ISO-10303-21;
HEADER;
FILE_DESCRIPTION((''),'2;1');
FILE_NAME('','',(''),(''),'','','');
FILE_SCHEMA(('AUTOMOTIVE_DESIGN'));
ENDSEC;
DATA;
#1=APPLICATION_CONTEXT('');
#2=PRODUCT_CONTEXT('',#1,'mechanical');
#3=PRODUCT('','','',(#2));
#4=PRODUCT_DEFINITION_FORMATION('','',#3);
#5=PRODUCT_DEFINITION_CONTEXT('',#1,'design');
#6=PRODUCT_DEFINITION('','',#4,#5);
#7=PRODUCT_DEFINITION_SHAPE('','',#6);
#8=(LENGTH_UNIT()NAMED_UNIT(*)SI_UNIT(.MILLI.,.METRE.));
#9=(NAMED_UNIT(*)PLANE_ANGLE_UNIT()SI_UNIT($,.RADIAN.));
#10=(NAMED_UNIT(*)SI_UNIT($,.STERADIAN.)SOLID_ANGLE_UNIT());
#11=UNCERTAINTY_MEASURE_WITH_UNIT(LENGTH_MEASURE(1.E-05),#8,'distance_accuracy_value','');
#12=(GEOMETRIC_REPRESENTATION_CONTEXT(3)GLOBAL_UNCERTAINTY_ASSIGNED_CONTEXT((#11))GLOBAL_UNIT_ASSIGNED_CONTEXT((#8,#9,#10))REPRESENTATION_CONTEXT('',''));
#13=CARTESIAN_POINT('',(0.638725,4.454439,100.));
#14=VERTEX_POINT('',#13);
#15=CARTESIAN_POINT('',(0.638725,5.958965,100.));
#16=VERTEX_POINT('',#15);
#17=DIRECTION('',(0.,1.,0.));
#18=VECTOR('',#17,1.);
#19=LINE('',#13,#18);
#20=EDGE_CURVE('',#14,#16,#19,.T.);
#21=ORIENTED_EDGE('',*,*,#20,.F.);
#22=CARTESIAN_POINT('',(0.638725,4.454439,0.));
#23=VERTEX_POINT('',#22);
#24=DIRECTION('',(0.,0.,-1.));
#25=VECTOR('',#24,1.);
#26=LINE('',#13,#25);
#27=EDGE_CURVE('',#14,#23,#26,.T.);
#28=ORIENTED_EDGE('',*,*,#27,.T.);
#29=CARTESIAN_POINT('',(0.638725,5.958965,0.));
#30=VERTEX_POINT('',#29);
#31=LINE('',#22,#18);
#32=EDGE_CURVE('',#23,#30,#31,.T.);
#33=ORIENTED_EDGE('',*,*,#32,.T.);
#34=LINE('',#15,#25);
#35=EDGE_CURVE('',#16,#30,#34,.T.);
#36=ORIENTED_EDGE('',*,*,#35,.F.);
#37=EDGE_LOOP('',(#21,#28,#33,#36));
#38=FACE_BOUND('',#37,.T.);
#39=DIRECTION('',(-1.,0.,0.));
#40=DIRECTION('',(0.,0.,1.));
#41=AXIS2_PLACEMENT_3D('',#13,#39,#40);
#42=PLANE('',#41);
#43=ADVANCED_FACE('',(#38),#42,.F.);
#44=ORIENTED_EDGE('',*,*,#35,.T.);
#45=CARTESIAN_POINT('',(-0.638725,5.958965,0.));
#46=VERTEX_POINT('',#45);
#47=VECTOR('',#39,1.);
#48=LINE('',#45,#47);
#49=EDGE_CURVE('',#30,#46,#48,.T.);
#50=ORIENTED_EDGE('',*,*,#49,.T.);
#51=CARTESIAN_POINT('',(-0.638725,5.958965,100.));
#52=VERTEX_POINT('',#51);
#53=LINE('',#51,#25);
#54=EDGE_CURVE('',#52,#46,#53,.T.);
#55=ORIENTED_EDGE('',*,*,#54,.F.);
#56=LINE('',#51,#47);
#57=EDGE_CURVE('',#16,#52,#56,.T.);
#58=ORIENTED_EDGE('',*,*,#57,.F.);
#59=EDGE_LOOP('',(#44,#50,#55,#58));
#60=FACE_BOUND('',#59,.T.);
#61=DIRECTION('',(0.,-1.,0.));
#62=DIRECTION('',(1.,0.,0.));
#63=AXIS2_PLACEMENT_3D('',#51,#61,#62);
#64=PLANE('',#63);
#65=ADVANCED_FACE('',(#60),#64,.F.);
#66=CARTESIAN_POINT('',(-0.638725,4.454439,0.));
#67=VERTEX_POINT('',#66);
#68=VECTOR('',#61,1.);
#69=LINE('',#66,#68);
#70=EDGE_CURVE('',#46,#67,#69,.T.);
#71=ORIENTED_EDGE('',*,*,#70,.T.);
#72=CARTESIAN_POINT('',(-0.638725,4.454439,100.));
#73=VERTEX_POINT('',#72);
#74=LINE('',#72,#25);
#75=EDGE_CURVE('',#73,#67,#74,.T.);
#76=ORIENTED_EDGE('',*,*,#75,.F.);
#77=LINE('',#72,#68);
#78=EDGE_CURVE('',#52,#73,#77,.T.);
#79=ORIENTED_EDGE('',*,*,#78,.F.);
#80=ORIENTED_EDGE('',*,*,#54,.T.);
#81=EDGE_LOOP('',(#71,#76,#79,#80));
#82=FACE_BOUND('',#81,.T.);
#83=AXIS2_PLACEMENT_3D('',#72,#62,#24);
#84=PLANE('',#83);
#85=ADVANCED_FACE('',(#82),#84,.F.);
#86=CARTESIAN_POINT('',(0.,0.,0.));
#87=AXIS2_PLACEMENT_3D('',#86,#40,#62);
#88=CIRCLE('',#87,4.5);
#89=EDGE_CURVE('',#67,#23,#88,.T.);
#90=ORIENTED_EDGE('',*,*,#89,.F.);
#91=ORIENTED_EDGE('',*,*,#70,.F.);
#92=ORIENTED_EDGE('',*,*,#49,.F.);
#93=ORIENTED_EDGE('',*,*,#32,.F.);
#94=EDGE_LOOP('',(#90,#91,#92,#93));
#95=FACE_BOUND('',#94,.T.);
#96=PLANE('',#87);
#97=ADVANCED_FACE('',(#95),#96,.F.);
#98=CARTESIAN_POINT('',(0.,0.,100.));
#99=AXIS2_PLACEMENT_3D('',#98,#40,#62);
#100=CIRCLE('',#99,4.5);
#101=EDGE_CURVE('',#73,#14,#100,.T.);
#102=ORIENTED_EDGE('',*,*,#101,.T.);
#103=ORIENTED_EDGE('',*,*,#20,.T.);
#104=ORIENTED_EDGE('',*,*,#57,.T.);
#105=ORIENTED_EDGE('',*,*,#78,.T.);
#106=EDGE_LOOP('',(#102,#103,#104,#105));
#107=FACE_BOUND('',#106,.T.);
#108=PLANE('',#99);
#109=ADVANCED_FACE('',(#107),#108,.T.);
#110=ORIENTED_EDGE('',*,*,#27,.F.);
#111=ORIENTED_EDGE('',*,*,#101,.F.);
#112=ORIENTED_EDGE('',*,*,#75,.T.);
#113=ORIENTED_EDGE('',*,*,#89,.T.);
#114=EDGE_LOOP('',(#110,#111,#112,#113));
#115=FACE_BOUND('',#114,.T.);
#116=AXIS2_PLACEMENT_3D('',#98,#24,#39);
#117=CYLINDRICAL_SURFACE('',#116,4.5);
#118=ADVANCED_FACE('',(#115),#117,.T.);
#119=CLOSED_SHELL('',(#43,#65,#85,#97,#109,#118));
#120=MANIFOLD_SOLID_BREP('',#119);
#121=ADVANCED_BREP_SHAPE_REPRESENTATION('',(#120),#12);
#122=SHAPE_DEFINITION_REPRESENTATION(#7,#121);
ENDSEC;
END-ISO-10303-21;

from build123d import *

# Parameters (mm, degrees)
EXTRUDE_1_DEPTH = 100


with BuildPart() as part:
    # 草图1 → 凸台-拉伸1 (new body)
    with BuildSketch(Plane.XY):
        with BuildLine():
            Line((-0.638725325, 4.454439354), (-0.638725325, 5.958965135))
            Line((-0.638725325, 5.958965135), (0.638725325, 5.958965135))
            Line((0.638725325, 5.958965135), (0.638725325, 4.454439354))
            ThreePointArc((0.638725325, 4.454439354), (0, -4.5), (-0.638725325, 4.454439354))
        make_face()
    extrude(amount=EXTRUDE_1_DEPTH)


solid = part.part
